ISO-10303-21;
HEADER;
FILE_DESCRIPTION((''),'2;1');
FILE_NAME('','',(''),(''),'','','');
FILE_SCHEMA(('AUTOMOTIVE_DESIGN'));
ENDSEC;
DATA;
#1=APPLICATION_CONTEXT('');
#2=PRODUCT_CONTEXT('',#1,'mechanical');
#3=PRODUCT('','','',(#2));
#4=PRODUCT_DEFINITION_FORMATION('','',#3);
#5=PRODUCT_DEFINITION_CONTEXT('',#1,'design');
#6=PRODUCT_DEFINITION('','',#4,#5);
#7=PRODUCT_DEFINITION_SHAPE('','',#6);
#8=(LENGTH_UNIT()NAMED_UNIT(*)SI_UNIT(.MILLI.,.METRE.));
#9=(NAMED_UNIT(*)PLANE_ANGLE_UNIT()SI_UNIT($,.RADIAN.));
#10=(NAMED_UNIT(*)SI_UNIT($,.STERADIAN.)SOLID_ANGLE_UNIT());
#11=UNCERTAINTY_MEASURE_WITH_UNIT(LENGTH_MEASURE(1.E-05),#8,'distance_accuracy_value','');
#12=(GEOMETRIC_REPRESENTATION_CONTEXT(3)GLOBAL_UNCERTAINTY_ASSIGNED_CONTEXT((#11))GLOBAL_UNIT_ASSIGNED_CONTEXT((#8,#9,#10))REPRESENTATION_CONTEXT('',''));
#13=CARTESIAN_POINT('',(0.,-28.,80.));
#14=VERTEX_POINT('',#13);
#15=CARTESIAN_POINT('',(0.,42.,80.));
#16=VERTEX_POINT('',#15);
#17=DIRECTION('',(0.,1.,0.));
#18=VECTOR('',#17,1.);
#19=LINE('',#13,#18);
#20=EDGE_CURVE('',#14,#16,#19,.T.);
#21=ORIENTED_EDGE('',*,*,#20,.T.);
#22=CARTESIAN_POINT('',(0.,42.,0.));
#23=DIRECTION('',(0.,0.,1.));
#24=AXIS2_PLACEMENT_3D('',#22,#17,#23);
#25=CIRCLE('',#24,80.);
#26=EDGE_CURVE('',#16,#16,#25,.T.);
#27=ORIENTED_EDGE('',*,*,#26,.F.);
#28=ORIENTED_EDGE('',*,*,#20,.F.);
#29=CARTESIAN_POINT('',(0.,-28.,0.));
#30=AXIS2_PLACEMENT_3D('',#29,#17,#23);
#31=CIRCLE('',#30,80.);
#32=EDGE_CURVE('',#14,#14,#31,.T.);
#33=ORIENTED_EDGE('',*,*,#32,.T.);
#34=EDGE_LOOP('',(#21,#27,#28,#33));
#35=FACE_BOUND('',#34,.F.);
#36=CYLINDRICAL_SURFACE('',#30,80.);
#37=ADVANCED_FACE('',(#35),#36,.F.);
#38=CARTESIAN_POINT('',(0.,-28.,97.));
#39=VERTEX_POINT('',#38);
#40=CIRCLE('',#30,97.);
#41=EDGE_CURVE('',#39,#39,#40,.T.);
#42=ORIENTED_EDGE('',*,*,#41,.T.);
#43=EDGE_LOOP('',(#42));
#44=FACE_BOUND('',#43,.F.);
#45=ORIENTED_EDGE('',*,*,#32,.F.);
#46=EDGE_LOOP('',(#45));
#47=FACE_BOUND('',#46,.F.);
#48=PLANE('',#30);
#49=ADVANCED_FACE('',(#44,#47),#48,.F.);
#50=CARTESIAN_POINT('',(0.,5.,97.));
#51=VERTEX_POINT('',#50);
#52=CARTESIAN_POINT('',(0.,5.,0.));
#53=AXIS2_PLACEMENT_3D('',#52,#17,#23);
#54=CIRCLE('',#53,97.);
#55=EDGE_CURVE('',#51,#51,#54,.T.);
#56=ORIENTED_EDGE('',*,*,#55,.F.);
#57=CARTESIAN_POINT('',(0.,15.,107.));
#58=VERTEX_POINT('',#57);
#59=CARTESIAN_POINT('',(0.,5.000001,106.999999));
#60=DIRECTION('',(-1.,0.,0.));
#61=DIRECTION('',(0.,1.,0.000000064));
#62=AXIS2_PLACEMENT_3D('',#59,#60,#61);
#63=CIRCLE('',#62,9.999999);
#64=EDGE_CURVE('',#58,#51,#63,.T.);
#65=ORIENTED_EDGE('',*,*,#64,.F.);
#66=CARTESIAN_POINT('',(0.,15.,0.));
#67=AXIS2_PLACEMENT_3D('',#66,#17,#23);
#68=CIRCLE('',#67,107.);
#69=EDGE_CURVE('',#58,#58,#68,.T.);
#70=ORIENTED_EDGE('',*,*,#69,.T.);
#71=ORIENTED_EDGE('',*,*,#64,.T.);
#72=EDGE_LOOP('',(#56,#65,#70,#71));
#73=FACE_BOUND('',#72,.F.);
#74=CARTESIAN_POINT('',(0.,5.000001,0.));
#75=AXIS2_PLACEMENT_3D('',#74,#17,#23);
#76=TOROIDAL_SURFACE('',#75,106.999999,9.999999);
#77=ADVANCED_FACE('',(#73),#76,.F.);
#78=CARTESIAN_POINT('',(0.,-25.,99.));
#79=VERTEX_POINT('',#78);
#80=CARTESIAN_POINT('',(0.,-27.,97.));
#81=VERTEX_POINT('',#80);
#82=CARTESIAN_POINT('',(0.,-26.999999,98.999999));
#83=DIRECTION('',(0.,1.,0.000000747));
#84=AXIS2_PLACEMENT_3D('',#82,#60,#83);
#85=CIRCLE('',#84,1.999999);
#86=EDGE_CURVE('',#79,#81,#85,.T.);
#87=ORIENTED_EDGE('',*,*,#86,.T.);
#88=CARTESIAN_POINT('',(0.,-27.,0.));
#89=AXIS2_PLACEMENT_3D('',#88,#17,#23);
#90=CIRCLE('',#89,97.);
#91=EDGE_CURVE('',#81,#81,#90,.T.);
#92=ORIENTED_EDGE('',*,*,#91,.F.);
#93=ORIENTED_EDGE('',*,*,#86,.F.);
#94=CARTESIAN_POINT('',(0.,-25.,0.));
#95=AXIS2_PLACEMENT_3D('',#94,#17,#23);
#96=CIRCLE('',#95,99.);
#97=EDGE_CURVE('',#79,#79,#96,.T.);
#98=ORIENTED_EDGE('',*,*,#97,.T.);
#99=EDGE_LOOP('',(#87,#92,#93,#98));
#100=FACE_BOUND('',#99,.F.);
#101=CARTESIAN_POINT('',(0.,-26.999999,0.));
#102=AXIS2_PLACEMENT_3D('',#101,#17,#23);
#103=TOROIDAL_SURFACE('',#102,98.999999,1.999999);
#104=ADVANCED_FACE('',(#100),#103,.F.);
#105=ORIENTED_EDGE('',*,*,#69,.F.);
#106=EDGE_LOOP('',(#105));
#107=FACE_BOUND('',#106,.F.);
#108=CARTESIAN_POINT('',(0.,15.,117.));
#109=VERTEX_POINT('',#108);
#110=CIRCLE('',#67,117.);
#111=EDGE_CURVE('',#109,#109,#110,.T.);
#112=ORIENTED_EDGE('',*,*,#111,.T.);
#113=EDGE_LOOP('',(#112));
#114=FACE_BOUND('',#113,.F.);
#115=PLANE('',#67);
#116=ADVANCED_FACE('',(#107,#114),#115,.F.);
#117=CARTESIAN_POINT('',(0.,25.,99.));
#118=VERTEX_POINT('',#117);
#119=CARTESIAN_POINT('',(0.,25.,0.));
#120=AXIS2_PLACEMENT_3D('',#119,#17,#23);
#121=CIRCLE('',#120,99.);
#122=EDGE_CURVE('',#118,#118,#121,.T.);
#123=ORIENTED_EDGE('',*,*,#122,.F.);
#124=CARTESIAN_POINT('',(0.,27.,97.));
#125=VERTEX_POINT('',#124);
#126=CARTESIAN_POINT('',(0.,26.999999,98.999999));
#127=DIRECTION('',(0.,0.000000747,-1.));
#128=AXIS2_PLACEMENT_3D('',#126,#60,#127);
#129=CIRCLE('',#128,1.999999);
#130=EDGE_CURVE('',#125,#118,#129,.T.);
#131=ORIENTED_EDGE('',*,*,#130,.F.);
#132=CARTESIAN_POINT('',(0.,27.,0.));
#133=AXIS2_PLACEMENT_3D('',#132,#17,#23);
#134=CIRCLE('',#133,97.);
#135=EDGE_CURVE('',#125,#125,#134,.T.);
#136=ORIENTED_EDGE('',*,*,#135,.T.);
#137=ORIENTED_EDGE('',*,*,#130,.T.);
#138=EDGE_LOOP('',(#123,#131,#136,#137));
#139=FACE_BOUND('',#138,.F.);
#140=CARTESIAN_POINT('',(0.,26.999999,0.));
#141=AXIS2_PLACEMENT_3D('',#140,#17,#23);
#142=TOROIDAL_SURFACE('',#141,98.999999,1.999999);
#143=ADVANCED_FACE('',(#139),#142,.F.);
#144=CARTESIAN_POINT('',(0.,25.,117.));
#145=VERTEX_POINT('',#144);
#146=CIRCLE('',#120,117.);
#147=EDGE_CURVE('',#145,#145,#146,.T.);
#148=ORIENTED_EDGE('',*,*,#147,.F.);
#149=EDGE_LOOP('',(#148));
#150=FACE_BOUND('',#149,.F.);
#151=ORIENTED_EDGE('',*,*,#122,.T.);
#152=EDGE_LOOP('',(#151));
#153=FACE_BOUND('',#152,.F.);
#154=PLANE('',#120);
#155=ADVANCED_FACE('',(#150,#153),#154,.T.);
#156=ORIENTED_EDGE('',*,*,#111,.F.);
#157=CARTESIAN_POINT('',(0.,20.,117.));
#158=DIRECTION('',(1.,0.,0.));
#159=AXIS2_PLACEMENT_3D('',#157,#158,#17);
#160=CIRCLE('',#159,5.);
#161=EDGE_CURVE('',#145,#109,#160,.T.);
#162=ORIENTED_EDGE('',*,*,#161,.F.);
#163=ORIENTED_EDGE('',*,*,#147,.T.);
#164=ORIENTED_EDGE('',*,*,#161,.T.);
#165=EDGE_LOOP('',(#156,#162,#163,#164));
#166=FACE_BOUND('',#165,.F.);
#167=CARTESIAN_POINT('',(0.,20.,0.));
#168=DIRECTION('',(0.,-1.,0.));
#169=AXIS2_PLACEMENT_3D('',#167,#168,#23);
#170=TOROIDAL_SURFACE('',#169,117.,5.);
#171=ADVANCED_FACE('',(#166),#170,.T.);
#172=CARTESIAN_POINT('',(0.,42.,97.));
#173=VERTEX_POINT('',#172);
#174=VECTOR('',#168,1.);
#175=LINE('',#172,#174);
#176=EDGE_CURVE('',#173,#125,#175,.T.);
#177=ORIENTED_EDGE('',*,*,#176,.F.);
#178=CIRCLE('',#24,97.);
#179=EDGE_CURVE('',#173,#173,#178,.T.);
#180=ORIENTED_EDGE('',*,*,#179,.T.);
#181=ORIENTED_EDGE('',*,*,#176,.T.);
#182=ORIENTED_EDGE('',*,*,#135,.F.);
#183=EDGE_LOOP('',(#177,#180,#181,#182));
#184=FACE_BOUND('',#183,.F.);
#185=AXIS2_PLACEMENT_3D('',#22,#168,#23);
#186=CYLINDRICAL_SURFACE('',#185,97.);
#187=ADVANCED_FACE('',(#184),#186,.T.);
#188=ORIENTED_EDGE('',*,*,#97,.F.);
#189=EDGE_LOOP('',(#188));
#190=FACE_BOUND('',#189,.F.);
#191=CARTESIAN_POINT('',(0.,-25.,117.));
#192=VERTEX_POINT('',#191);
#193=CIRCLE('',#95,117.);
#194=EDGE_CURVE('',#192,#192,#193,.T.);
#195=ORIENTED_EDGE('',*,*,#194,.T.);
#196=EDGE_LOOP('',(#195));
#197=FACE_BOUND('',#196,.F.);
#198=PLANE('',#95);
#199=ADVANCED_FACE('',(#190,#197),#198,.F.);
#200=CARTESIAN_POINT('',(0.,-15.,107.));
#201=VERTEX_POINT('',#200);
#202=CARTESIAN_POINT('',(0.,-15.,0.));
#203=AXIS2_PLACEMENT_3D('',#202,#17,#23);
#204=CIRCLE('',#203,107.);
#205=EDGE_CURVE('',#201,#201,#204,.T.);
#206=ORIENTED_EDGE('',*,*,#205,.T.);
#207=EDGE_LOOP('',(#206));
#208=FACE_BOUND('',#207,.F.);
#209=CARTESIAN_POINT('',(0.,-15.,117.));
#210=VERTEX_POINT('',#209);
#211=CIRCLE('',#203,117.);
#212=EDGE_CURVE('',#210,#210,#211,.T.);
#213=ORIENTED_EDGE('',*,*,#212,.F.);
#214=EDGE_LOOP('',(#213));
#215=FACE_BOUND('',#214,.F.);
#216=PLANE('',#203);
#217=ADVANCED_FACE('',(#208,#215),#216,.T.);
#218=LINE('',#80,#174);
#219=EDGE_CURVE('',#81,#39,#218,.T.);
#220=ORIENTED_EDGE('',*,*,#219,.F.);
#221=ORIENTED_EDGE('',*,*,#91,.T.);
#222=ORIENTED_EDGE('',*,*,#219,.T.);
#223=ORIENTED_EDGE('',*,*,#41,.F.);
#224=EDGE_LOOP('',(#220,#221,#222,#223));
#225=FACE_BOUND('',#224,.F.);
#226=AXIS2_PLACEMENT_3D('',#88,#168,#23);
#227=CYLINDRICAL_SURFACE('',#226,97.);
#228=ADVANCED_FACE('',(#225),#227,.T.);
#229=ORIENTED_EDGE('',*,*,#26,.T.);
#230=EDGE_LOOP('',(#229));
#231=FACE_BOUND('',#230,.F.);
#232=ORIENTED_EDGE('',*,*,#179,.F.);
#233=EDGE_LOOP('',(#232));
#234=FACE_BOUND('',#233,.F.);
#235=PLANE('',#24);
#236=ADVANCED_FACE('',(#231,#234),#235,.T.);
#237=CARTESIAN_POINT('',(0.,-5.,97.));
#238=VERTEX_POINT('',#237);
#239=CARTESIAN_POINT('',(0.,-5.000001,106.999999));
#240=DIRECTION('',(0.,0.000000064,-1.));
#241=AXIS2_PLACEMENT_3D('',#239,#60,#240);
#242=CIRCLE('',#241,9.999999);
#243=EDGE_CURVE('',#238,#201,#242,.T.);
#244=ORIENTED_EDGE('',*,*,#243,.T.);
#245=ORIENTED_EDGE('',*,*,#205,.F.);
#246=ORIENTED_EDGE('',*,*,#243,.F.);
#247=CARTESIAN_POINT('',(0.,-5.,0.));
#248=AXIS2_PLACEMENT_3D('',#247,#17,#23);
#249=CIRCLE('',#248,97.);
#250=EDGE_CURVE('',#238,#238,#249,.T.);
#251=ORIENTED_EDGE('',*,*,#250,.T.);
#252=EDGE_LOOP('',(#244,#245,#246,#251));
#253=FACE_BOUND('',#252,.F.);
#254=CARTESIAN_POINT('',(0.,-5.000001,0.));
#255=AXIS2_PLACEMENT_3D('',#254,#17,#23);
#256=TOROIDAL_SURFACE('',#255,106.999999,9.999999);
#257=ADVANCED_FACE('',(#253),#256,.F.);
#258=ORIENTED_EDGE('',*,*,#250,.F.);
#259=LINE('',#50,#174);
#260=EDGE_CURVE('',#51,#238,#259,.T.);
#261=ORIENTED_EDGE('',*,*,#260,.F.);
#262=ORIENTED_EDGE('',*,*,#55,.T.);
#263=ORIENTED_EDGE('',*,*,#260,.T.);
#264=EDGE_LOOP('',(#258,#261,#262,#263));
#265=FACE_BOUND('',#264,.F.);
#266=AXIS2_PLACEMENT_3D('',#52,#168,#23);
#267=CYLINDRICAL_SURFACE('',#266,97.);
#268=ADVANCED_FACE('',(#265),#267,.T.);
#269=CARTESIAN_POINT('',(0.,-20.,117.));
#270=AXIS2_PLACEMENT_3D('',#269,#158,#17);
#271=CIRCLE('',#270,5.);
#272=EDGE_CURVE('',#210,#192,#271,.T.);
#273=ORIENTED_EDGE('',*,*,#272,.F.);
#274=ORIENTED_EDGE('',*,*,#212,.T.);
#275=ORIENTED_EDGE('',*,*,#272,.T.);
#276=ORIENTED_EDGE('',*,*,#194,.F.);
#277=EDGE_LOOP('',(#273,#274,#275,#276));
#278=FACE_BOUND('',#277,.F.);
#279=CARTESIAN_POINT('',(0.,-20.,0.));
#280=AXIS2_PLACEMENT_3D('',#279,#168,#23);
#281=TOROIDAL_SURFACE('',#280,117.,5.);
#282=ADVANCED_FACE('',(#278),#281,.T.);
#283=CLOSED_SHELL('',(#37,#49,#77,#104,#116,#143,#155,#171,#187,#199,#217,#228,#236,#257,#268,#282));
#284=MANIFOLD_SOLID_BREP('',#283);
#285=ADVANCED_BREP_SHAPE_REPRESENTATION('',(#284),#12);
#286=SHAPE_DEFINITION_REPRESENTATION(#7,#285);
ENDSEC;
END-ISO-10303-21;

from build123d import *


with BuildPart() as f1:
    # F0 (on Right) → F1 (revolve)
    with BuildSketch(Plane.YZ):
        with BuildLine():
            Line((5, 97), (0, 97))
            Line((0, 97), (-5, 97))
            ThreePointArc((-5, 97), (-12.071068, 99.928932), (-15, 107))
            Line((-15, 107), (-15, 117))
            ThreePointArc((-15, 117), (-20, 122), (-25, 117))
            Line((-25, 117), (-25, 99))
            ThreePointArc((-25, 99), (-25.585786, 97.585786), (-27, 97))
            Line((-27, 97), (-28, 97))
            Line((-28, 97), (-28, 80))
            Line((-28, 80), (42, 80))
            Line((42, 80), (42, 97))
            Line((42, 97), (27, 97))
            ThreePointArc((27, 97), (25.585786, 97.585786), (25, 99))
            Line((25, 99), (25, 117))
            ThreePointArc((25, 117), (20, 122), (15, 117))
            Line((15, 117), (15, 107))
            ThreePointArc((15, 107), (12.071068, 99.928932), (5, 97))
        make_face()
    revolve(axis=Axis((0, -13.024303, 0), (0, 1, 0)))


solid = f1.part
